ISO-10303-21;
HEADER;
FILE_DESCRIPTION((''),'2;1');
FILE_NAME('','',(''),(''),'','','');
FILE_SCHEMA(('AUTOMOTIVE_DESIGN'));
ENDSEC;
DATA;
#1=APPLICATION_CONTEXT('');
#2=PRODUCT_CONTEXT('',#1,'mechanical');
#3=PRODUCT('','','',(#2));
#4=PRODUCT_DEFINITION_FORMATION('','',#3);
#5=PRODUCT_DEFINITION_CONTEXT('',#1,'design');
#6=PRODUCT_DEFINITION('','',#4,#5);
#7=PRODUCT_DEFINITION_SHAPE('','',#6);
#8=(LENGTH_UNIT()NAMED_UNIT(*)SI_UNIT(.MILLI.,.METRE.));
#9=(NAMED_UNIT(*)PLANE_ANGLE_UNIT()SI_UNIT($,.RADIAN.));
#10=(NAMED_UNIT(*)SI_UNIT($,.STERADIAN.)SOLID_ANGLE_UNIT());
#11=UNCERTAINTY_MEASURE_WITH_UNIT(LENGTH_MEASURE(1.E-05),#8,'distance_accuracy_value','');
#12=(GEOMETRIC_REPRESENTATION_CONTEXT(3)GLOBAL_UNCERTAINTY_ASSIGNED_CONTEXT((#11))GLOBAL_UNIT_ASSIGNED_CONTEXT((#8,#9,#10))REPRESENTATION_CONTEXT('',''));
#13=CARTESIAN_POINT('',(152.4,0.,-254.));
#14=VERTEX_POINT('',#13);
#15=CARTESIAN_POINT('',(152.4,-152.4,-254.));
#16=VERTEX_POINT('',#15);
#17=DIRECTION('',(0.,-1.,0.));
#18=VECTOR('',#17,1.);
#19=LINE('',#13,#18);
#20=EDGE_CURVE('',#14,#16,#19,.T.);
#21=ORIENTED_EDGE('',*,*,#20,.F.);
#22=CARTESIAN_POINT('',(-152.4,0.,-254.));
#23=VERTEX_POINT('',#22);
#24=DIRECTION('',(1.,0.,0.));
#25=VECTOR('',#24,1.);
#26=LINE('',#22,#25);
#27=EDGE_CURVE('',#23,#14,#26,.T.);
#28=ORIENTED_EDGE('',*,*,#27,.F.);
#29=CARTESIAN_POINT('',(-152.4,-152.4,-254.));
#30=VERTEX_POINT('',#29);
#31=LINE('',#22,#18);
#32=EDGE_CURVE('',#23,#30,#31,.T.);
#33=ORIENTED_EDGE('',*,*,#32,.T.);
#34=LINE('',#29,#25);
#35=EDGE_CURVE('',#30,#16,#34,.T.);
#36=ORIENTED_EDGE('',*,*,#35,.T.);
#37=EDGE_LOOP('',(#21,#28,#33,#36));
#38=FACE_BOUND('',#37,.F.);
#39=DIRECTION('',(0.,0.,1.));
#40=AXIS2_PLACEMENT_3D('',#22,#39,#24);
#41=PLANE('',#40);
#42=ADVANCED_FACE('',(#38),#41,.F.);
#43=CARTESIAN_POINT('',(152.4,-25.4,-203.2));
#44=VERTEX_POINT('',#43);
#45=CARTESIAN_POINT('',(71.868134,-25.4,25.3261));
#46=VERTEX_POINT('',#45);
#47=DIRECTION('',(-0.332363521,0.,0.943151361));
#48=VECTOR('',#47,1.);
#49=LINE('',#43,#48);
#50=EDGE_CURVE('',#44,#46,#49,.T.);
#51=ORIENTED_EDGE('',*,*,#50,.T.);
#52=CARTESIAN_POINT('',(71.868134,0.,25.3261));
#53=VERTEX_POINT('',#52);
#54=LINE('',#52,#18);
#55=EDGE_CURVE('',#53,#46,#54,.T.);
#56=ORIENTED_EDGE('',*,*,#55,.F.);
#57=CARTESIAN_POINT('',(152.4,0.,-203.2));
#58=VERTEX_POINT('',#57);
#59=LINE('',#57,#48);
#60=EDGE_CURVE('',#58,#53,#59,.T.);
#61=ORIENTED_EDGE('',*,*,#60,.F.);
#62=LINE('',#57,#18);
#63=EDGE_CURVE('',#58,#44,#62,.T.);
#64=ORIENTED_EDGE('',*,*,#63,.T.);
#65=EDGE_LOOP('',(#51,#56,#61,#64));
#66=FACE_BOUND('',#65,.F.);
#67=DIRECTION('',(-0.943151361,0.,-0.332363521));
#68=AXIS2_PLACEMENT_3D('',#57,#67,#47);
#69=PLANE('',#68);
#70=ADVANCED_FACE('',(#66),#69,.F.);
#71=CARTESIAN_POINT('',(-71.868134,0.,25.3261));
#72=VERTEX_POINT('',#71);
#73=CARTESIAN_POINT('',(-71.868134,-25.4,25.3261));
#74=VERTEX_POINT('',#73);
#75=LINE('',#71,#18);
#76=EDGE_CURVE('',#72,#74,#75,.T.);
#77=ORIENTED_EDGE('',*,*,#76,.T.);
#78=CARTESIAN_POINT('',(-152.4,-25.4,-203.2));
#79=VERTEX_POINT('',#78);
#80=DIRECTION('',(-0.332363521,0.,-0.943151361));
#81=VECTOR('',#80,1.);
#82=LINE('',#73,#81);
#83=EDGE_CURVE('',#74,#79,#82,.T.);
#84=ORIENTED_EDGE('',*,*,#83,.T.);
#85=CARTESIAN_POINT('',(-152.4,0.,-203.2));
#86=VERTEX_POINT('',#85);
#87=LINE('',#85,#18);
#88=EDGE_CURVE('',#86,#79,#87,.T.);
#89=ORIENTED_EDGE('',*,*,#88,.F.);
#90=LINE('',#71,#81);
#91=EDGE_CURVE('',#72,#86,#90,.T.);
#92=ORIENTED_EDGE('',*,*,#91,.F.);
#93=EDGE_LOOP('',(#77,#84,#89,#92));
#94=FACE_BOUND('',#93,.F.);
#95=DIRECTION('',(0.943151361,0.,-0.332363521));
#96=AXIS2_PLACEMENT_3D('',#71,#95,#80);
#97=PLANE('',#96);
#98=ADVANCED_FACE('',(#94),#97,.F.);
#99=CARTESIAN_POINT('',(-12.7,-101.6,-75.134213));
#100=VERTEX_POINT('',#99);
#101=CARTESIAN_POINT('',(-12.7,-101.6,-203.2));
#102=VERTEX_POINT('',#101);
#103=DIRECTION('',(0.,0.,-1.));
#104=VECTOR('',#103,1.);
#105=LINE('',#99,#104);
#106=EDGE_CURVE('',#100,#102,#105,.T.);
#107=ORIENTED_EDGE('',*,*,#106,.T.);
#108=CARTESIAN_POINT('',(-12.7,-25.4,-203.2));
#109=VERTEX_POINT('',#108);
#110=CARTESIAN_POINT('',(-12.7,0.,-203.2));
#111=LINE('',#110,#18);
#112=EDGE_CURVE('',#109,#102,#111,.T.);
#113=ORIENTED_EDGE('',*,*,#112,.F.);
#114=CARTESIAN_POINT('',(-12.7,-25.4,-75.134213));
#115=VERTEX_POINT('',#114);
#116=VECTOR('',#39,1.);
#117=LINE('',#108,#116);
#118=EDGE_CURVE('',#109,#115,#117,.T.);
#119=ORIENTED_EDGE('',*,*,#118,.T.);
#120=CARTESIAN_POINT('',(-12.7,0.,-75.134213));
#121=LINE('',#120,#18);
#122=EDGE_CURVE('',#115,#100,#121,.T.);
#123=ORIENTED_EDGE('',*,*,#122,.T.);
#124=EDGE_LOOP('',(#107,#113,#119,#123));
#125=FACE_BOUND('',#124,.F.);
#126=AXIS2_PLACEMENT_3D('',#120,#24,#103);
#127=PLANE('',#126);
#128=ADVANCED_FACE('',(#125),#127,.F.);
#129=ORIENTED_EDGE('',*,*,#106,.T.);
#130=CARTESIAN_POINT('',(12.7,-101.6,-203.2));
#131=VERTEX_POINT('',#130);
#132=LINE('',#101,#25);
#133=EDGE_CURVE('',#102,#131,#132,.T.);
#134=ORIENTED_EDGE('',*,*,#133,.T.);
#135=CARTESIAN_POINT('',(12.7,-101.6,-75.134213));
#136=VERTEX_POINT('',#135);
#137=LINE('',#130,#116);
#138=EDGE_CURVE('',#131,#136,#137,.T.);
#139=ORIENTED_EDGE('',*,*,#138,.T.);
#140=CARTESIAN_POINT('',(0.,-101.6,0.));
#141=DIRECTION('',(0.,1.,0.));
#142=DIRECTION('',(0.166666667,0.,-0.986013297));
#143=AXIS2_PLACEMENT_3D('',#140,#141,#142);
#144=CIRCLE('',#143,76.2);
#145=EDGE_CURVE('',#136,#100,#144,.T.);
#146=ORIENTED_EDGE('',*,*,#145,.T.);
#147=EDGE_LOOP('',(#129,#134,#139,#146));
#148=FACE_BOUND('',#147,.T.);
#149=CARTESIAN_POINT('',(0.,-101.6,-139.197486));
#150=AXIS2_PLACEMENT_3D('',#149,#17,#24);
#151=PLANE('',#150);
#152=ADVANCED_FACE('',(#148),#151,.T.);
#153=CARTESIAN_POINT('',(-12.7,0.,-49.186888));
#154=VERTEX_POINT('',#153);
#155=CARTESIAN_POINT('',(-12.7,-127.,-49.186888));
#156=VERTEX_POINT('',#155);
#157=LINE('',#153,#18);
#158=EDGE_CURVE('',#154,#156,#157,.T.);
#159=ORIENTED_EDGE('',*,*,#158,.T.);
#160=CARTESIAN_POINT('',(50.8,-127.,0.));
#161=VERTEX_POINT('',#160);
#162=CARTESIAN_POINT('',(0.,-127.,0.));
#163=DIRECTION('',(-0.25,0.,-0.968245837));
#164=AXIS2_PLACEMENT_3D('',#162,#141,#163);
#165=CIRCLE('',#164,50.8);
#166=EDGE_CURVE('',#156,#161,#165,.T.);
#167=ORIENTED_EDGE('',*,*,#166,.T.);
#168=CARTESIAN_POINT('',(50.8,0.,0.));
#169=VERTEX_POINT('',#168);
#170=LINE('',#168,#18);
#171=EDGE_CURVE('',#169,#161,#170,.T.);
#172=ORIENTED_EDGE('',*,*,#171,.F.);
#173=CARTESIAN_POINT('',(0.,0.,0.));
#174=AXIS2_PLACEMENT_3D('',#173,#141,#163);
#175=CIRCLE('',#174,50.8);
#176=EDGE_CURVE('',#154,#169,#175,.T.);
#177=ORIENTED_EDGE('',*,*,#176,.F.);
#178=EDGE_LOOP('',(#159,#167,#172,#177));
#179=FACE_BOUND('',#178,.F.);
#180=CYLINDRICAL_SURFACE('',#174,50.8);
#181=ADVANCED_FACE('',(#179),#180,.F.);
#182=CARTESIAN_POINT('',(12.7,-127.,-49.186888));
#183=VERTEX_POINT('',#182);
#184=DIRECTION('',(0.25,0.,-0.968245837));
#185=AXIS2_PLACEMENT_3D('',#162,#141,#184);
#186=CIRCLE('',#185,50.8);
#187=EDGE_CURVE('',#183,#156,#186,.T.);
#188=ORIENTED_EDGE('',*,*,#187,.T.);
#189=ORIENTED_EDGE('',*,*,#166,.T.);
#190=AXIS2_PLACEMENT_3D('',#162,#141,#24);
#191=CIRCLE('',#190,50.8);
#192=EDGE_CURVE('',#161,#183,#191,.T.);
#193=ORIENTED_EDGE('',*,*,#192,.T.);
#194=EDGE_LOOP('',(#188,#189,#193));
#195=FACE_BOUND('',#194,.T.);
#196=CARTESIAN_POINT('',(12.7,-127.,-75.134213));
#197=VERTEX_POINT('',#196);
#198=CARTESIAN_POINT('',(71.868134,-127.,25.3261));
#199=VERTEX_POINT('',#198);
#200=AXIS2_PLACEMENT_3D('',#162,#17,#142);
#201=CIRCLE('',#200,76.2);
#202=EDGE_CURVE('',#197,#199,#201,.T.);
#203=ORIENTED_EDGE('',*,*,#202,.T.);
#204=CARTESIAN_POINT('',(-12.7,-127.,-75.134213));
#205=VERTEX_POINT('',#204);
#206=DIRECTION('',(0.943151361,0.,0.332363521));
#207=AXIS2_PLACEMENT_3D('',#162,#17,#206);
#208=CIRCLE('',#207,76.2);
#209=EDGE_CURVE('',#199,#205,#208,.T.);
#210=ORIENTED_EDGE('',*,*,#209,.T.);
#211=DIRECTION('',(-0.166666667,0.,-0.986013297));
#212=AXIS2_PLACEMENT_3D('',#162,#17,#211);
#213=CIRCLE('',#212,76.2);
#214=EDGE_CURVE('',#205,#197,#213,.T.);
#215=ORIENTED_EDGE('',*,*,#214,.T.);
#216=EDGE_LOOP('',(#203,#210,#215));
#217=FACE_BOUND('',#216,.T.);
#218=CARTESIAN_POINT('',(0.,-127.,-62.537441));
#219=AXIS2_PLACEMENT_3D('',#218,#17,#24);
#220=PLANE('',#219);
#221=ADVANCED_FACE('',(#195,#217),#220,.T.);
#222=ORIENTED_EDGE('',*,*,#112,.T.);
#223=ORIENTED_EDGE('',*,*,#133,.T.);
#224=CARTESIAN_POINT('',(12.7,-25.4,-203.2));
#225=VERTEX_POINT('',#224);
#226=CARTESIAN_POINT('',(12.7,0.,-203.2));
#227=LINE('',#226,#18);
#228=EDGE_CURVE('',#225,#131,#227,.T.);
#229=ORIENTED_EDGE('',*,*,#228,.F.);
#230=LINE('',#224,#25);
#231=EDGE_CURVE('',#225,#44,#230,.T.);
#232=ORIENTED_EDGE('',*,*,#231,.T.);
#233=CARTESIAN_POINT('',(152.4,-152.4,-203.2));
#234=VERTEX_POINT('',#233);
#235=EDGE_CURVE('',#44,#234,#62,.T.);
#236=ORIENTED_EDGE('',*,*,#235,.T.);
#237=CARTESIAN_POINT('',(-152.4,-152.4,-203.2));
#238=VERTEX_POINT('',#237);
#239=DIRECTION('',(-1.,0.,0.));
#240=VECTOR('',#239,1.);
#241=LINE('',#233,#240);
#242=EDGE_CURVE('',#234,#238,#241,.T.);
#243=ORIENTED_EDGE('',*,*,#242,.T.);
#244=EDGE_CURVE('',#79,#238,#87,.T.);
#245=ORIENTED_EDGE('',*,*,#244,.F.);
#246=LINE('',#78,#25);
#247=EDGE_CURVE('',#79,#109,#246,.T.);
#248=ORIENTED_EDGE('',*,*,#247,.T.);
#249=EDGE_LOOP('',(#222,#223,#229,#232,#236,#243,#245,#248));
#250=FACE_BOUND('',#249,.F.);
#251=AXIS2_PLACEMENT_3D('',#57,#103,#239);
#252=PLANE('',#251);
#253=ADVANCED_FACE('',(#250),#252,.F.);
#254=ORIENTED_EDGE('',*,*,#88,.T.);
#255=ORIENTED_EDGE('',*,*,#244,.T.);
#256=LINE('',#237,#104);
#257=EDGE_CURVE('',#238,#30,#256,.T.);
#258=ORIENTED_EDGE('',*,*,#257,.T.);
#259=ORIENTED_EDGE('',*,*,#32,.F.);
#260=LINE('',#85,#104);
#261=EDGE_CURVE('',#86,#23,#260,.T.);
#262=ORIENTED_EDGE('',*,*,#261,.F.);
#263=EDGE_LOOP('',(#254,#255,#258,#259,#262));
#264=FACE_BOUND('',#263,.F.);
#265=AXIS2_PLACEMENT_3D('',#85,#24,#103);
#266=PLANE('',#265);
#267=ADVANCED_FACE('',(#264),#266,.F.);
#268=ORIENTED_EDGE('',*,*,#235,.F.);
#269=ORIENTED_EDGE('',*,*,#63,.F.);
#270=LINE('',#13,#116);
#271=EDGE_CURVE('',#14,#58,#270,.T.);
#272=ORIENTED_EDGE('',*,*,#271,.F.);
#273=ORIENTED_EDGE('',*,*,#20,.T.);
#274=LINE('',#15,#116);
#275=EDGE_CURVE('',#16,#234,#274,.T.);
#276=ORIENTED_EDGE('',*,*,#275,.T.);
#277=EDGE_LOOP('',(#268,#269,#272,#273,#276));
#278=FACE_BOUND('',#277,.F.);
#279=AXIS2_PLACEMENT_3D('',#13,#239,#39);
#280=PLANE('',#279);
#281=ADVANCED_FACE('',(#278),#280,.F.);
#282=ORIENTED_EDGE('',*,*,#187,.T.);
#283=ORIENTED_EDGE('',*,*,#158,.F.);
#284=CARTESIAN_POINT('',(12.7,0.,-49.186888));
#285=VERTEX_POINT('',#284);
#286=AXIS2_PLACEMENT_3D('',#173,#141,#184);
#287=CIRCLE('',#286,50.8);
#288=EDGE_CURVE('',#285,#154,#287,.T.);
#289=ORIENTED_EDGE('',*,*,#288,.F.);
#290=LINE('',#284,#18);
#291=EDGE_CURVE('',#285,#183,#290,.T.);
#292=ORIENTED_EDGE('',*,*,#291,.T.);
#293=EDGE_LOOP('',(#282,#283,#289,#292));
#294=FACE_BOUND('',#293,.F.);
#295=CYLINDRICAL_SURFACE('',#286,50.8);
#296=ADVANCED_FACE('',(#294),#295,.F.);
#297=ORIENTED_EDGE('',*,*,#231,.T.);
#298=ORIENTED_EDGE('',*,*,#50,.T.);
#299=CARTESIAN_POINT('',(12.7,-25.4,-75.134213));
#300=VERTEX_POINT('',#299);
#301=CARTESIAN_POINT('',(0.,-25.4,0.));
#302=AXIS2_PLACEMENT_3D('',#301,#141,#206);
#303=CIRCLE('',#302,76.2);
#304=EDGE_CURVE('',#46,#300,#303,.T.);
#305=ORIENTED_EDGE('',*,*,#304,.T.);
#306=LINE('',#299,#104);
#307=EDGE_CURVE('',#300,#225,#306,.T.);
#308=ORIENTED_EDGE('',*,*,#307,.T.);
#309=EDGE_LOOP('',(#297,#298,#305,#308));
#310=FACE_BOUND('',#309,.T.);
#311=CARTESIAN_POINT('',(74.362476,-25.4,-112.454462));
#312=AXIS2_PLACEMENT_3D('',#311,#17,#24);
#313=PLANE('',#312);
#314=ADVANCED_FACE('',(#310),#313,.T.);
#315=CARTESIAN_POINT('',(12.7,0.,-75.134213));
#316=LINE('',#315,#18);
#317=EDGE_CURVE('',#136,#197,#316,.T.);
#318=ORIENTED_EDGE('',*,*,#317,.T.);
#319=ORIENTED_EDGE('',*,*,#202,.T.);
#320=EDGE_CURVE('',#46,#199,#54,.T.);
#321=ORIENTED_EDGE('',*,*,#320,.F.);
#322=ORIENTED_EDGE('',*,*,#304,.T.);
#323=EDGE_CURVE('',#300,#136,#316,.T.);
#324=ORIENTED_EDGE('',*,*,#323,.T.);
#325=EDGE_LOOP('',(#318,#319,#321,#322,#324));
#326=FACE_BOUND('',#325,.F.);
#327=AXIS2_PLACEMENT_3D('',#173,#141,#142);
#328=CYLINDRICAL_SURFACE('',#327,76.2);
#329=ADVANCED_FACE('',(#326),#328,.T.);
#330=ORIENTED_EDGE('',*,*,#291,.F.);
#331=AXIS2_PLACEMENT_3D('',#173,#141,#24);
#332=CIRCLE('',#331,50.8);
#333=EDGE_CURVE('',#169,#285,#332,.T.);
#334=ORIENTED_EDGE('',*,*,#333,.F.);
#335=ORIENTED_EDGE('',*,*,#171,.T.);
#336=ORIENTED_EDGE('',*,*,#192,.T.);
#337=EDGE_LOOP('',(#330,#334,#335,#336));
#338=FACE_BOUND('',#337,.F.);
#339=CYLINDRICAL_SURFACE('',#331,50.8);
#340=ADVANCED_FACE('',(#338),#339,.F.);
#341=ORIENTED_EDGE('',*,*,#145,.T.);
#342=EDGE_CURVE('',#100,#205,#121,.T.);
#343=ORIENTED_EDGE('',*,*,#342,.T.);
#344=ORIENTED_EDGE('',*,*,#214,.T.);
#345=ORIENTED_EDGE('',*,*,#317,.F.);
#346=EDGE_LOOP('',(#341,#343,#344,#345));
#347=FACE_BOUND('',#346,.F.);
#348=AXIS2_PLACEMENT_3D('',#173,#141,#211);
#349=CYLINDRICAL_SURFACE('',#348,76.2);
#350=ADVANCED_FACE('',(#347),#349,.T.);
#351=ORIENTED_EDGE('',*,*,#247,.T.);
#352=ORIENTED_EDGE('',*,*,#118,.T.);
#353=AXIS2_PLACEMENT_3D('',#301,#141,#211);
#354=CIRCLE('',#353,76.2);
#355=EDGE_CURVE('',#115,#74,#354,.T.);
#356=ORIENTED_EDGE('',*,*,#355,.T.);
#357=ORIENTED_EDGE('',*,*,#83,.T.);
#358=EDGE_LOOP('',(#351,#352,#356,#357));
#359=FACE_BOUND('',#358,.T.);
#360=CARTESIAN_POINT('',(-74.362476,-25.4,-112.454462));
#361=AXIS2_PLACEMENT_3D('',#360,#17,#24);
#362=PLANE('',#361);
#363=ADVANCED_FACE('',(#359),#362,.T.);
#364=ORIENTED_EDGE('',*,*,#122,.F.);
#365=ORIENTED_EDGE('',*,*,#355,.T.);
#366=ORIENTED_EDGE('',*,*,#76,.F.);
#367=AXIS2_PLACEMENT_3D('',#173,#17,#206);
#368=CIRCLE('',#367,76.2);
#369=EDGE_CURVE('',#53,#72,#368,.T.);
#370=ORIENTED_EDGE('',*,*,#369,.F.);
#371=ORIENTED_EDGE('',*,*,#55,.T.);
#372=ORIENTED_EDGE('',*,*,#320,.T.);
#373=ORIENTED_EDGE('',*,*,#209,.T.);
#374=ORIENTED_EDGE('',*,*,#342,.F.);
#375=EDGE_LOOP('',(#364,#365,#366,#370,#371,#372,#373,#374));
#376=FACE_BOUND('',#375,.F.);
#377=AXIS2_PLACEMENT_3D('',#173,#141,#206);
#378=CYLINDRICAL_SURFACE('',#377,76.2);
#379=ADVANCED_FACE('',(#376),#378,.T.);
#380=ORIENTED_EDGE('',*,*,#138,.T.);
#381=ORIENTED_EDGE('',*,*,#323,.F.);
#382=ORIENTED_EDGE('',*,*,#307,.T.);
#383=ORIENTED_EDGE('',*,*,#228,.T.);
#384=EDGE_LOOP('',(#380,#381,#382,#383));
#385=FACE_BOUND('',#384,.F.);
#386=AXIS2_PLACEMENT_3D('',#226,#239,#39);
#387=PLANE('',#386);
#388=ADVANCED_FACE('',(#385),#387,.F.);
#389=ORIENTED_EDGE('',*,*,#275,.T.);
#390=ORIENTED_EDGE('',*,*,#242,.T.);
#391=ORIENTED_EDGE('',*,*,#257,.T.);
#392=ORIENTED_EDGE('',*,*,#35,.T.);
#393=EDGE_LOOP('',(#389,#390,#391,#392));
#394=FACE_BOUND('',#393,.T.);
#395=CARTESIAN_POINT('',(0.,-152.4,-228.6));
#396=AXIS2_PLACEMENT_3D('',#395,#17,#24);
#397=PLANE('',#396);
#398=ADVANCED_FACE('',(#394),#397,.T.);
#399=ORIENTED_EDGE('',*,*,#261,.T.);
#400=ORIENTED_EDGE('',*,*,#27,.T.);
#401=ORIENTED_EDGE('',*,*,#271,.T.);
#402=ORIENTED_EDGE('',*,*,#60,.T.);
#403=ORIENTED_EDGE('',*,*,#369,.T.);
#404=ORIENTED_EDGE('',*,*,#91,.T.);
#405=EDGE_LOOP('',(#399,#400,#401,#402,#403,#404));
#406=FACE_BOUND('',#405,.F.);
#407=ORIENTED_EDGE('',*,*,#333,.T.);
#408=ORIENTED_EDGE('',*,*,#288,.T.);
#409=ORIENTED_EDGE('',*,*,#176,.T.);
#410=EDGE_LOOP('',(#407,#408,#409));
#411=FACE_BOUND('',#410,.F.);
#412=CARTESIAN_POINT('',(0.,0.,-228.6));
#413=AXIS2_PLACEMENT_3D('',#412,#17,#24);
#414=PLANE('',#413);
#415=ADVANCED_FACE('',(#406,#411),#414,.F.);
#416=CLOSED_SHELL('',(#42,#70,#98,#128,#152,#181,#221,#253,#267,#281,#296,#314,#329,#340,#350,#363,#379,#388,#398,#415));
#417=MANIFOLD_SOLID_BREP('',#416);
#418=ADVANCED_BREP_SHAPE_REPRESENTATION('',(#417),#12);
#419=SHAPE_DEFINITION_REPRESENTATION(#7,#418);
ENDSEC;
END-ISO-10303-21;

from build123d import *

# Parameters (mm, degrees)
F1_DEPTH = 127
F2_DEPTH = 25.4
F3_DEPTH = 152.4
F4_DEPTH = 101.6


with BuildPart() as f1:
    # F0 (on Front) → F1 (new body)
    with BuildSketch(Plane.XZ):
        with BuildLine():
            ThreePointArc((12.7, -49.1868884968), (0, -50.8), (-12.7, -49.1868884968))
            Line((-12.7, -49.1868884968), (-12.7, -75.1342132454))
            ThreePointArc((-12.7, -75.1342132454), (0, -76.2), (12.7, -75.1342132454))
            Line((12.7, -75.1342132454), (12.7, -49.1868884968))
        make_face()
        with BuildLine():
            ThreePointArc((-12.7, -49.1868884968), (-31.1085197333, 40.1609262841), (50.8, 0))
            ThreePointArc((50.8, 0), (40.1609262841, -31.1085197333), (12.7, -49.1868884968))
            Line((12.7, -49.1868884968), (12.7, -75.1342132454))
            ThreePointArc((12.7, -75.1342132454), (58.1987113259, -49.1868884968), (76.2, 0))
            ThreePointArc((76.2, 0), (75.1092264284, 12.8469492616), (71.8681337184, 25.3261002888))
            ThreePointArc((71.8681337184, 25.3261002888), (0, 76.2), (-71.8681337184, 25.3261002888))
            ThreePointArc((-71.8681337184, 25.3261002888), (-65.6582893396, -38.6707776105), (-12.7, -75.1342132454))
            Line((-12.7, -75.1342132454), (-12.7, -49.1868884968))
        make_face()
    extrude(amount=F1_DEPTH)

    # F0 (on Front) → F2 (join)
    with BuildSketch(Plane.XZ):
        with BuildLine():
            Line((-12.7, -203.2), (-12.7, -75.1342132454))
            ThreePointArc((-12.7, -75.1342132454), (-65.6582893396, -38.6707776105), (-71.8681337184, 25.3261002888))
            Line((-71.8681337184, 25.3261002888), (-152.4, -203.2))
            Line((-152.4, -203.2), (-12.7, -203.2))
        make_face()
        with BuildLine():
            ThreePointArc((76.2, 0), (58.1987113259, -49.1868884968), (12.7, -75.1342132454))
            Line((12.7, -75.1342132454), (12.7, -203.2))
            Line((12.7, -203.2), (152.4, -203.2))
            Line((152.4, -203.2), (71.8681337184, 25.3261002888))
            ThreePointArc((71.8681337184, 25.3261002888), (75.1092264284, 12.8469492616), (76.2, 0))
        make_face()
    extrude(amount=F2_DEPTH)

    # F0 (on Front) → F3 (join)
    with BuildSketch(Plane.XZ):
        Polygon((12.7, -203.2), (-12.7, -203.2), (-152.4, -203.2), (-152.4, -254), (152.4, -254), (152.4, -203.2), align=None)
    extrude(amount=F3_DEPTH)

    # F0 (on Front) → F4 (join)
    with BuildSketch(Plane.XZ):
        with BuildLine():
            ThreePointArc((12.7, -75.1342132454), (0, -76.2), (-12.7, -75.1342132454))
            Line((-12.7, -75.1342132454), (-12.7, -203.2))
            Line((-12.7, -203.2), (12.7, -203.2))
            Line((12.7, -203.2), (12.7, -75.1342132454))
        make_face()
    extrude(amount=F4_DEPTH)


solid = f1.part
